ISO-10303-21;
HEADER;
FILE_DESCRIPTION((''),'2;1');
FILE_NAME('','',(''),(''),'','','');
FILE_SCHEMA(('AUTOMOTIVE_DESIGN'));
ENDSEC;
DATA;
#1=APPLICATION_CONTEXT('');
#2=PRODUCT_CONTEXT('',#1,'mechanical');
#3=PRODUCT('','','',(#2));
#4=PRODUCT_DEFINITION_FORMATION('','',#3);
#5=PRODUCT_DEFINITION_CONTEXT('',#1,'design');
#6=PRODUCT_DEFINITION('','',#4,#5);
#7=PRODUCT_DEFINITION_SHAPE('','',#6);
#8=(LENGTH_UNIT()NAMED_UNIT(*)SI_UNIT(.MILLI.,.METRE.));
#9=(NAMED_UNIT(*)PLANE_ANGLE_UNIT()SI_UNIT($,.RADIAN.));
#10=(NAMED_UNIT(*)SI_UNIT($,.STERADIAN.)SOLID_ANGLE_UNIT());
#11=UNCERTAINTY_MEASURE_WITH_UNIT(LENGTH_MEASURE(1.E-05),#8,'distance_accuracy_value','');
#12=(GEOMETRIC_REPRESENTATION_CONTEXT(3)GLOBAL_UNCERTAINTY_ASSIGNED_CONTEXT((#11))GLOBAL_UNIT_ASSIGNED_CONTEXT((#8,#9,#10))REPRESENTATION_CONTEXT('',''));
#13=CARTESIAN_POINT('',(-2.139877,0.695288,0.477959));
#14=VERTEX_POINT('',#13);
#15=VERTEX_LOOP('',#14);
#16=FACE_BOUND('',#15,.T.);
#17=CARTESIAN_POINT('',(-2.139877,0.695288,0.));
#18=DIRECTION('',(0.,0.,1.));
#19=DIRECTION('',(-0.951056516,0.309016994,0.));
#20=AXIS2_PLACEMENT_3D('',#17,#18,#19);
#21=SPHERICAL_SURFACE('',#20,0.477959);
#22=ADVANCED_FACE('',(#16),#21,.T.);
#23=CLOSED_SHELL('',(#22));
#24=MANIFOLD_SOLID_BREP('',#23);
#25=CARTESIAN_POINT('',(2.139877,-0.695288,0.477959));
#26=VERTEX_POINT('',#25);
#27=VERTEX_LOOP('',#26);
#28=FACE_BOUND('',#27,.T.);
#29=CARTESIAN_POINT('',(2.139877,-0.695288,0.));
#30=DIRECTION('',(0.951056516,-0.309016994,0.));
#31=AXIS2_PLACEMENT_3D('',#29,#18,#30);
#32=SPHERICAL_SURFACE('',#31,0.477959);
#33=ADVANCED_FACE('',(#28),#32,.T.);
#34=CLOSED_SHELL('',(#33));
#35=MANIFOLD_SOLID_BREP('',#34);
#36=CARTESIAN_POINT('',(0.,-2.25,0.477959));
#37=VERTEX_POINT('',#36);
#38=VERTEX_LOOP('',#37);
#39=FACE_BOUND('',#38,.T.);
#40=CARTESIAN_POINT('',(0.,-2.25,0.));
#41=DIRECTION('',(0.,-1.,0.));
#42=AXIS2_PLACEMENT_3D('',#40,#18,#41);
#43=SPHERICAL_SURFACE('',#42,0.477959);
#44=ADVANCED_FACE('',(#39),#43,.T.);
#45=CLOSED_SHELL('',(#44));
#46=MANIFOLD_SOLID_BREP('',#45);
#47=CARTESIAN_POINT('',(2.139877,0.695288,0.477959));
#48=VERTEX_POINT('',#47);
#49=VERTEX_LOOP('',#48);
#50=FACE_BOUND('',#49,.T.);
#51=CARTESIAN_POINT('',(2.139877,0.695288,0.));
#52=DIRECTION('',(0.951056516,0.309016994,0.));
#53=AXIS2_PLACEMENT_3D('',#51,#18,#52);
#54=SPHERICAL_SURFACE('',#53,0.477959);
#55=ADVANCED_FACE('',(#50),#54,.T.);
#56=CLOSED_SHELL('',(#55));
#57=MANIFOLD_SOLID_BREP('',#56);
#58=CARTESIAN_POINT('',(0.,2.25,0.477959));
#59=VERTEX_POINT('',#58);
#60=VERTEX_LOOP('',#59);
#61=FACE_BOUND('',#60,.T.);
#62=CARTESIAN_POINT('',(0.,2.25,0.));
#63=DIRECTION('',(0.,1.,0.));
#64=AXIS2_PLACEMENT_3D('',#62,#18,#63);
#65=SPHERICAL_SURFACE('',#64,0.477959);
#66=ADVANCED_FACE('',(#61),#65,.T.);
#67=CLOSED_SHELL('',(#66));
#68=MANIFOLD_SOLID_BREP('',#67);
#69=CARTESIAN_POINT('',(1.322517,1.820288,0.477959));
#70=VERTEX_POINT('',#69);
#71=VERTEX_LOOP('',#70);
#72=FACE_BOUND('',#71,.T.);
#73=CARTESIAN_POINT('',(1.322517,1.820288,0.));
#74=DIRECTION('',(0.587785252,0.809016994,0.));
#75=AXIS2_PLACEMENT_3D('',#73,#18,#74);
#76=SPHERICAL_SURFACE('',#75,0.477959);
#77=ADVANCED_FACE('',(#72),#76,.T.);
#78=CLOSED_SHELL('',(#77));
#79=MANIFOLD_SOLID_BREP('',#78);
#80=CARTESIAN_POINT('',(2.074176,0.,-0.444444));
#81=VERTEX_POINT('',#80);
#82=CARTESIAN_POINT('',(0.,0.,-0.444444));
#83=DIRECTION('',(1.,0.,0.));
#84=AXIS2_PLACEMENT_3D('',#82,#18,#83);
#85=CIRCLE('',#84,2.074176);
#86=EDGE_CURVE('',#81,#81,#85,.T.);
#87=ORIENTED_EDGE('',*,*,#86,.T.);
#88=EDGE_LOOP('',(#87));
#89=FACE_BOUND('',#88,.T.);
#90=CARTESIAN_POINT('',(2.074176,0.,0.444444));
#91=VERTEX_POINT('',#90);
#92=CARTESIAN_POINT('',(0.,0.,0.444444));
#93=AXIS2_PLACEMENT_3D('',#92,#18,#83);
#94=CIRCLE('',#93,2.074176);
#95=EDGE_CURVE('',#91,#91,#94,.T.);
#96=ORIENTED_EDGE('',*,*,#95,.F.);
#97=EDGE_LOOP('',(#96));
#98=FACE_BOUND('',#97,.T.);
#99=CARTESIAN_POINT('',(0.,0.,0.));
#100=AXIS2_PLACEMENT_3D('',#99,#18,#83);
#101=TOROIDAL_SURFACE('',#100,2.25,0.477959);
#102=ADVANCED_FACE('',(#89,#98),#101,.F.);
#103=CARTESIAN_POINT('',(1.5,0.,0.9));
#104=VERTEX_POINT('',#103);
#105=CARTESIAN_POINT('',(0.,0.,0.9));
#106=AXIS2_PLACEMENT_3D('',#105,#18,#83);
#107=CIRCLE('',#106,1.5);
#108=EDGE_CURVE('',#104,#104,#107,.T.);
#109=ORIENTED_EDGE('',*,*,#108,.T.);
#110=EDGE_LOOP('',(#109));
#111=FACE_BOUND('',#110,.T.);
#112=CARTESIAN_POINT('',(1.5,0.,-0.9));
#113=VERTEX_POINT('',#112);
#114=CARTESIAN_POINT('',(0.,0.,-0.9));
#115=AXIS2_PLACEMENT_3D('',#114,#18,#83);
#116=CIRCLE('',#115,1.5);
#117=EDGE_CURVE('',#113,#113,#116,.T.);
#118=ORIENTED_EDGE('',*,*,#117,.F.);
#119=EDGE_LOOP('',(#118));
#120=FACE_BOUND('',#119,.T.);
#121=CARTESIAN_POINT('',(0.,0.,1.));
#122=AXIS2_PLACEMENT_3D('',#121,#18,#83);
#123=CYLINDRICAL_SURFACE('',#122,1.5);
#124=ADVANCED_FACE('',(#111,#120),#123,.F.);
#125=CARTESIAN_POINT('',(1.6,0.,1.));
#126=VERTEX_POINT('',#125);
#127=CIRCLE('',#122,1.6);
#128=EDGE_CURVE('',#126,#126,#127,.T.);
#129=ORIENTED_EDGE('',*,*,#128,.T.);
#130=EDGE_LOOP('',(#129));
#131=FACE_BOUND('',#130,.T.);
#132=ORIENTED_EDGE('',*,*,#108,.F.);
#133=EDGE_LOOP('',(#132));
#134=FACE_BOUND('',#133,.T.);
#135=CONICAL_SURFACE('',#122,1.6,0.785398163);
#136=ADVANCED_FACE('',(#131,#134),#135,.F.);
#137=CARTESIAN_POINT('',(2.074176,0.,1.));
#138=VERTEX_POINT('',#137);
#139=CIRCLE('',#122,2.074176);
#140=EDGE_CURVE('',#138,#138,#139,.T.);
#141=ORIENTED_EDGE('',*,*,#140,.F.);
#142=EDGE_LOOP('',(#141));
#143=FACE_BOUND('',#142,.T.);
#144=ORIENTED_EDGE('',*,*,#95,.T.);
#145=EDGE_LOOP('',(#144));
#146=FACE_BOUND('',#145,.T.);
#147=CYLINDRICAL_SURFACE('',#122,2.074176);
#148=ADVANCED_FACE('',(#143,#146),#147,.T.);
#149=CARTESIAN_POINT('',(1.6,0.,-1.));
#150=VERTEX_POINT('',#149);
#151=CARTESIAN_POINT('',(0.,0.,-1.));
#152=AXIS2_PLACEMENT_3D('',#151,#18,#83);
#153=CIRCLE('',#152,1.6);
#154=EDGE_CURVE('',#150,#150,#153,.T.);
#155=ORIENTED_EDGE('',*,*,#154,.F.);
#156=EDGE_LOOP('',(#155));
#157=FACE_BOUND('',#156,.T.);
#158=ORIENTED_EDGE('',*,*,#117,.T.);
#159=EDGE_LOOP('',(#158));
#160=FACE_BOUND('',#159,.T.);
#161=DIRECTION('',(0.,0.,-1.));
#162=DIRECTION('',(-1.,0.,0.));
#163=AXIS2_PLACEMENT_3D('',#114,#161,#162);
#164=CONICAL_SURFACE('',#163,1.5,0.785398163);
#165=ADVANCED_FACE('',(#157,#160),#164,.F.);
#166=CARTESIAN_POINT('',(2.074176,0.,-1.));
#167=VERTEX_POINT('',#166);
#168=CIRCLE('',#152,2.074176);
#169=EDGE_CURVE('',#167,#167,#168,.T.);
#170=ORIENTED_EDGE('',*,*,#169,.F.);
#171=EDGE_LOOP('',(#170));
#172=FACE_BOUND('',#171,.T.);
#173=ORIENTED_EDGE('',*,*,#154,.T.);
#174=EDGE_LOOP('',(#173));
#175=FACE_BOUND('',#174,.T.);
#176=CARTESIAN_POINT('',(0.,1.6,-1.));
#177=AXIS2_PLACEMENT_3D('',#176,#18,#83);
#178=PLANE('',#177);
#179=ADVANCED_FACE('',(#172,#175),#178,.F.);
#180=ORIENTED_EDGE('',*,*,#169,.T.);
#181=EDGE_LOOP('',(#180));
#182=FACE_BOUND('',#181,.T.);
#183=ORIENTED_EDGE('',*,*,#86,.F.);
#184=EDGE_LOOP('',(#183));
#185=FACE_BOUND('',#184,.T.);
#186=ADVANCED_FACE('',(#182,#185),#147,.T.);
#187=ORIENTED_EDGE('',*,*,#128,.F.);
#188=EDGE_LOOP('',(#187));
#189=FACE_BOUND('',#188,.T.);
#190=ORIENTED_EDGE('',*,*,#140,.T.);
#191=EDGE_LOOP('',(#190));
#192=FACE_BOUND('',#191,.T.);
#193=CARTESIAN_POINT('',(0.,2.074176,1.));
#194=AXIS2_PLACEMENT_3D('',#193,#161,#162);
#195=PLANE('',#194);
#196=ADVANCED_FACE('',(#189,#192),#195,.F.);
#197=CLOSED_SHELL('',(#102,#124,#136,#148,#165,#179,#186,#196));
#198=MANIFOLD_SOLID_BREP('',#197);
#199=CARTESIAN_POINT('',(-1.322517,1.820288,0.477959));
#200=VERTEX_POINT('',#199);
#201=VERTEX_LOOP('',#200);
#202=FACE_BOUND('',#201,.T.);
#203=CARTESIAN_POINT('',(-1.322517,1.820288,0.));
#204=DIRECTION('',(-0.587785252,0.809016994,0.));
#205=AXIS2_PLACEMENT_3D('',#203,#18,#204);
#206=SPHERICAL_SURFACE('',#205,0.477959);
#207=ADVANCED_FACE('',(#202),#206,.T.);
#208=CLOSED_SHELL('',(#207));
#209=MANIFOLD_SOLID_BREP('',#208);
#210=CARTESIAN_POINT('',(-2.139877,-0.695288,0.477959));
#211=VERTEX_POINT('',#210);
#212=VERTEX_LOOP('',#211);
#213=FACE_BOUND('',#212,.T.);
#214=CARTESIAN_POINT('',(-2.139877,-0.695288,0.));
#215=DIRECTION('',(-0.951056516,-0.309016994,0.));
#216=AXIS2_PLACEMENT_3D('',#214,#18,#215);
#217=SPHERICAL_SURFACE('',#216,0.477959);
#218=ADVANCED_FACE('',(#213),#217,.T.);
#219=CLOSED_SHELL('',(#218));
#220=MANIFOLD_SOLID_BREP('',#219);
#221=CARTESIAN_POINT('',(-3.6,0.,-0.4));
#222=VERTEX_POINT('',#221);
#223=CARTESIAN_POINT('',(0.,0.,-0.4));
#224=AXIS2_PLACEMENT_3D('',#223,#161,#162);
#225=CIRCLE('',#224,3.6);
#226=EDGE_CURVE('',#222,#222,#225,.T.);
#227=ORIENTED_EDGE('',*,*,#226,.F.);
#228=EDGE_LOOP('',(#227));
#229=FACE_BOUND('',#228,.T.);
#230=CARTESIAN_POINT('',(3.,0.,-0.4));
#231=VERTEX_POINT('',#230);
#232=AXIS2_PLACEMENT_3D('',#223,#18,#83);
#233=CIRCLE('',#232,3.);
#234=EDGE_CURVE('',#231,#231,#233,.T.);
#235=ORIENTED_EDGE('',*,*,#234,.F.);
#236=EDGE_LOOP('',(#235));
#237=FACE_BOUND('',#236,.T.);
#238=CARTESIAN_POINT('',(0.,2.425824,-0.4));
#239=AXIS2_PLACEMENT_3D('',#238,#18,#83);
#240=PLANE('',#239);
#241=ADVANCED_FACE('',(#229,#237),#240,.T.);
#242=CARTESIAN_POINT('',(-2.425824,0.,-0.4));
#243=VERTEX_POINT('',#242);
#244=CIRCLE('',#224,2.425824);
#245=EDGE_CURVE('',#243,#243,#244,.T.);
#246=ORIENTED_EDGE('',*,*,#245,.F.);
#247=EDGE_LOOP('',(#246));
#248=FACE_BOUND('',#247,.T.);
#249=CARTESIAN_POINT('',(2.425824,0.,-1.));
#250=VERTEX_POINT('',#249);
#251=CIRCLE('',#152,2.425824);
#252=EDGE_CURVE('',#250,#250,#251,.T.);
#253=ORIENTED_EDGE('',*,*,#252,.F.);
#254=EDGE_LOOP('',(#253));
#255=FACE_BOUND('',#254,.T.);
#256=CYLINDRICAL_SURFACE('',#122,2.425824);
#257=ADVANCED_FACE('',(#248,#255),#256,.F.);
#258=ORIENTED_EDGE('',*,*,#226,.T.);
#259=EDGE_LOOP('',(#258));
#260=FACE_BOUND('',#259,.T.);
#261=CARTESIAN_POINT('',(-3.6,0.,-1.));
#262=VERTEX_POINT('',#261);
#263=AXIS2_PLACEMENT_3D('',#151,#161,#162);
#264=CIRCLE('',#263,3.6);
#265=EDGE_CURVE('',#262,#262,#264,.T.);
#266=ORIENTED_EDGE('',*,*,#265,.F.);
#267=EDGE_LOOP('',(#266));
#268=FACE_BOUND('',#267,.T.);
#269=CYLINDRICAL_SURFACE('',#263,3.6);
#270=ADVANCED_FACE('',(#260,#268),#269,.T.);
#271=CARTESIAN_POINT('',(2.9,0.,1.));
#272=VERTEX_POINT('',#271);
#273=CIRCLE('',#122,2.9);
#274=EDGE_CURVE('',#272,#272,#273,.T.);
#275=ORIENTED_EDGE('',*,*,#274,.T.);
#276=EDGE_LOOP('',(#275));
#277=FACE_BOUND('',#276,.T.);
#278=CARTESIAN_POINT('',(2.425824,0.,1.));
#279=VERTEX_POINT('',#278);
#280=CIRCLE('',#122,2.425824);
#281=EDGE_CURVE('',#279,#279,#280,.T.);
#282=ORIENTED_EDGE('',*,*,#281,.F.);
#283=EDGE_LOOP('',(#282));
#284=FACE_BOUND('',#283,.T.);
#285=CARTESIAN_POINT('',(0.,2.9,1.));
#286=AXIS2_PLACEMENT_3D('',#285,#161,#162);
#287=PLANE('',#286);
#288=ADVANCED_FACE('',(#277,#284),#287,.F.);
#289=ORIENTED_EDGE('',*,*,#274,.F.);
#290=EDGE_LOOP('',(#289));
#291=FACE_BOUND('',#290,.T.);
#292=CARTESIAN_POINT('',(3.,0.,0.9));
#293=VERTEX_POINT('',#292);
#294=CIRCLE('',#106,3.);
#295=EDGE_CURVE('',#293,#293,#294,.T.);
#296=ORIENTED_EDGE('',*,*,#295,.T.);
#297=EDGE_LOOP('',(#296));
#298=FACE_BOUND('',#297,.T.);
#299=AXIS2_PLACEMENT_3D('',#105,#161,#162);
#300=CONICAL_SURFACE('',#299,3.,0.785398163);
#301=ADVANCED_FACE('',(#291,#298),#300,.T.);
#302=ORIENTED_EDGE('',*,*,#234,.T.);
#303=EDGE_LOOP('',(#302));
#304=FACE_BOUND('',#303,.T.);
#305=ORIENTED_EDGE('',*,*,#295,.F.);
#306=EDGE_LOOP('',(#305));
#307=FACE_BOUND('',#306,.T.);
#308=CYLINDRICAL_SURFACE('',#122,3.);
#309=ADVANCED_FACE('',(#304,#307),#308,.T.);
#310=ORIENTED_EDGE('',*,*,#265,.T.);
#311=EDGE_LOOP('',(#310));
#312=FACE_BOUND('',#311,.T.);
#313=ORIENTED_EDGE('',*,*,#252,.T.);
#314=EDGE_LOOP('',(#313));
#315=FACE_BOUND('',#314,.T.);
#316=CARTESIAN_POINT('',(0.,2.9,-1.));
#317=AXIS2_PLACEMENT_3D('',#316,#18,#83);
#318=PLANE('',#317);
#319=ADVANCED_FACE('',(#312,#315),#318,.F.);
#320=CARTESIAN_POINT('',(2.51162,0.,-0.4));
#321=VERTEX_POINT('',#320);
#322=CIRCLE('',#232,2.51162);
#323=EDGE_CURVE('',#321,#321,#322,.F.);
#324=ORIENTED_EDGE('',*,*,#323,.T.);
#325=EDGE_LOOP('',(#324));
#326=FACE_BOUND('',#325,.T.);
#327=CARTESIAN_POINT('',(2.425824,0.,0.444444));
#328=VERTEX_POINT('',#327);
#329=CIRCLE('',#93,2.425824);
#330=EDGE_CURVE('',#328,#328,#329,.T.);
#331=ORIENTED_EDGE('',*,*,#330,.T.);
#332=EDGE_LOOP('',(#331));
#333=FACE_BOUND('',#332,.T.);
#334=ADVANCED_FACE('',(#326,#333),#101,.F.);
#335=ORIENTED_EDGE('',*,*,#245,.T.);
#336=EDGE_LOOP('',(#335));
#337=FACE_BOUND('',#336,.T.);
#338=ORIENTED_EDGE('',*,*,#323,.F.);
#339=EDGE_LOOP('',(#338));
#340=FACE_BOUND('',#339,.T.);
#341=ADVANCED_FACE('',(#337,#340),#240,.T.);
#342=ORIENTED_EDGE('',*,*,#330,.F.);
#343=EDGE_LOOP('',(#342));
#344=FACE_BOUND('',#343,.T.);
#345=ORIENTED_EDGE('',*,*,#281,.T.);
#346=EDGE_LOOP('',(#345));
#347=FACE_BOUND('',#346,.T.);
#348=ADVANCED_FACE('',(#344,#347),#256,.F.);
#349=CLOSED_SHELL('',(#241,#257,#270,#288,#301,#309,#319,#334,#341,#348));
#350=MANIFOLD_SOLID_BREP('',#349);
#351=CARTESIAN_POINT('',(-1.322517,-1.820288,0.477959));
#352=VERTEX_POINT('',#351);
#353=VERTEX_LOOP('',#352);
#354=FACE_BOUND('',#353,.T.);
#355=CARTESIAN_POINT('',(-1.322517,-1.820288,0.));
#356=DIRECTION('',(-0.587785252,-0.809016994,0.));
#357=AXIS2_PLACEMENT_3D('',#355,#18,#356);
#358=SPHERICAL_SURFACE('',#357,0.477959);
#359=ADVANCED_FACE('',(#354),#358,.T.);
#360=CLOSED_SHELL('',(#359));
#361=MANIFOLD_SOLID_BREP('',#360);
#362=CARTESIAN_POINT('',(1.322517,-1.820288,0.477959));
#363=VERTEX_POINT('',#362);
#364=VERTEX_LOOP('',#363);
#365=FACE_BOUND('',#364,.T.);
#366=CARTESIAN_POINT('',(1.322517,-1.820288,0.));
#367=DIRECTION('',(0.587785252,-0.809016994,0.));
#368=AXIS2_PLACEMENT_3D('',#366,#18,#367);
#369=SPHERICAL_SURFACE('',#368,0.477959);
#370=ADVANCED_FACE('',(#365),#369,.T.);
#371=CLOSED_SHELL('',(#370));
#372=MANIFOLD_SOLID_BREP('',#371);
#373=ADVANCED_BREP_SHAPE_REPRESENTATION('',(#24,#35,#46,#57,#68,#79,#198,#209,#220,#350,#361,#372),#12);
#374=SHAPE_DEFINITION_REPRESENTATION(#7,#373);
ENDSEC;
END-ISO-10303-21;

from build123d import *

# Parameters (mm, degrees)
CIRPATTERN1_COUNT = 10
SKETCH6_W         = 0.6
SKETCH6_H         = 1.174175824


with BuildPart() as part:
    # Sketch1 → Revolve1 (revolve)
    with BuildSketch(Plane(origin=(0, 0, 0), x_dir=(0, 0, -1), z_dir=(1, 0, 0))):
        with BuildLine():
            Line((0.9, 3), (-0.9, 3))
            Line((-0.9, 3), (-1, 2.9))
            Line((-1, 2.9), (-1, 2.425824176))
            Line((-1, 2.425824176), (-0.444444444, 2.425824176))
            ThreePointArc((-0.444444444, 2.425824176), (0, 2.727959209), (0.444444444, 2.425824176))
            Line((0.444444444, 2.425824176), (1, 2.425824176))
            Line((1, 2.425824176), (1, 2.9))
            Line((1, 2.9), (0.9, 3))
        make_face()
    revolve(axis=Axis((0, 0, 1), (0, 0, -1)))

    # Sketch6 → Revolve6 (revolve)
    with BuildSketch(Plane(origin=(0, 0, 0), x_dir=(0, 0, -1), z_dir=(1, 0, 0))):
        with Locations((0.7, 3.012912088)):
            Rectangle(SKETCH6_W, SKETCH6_H)
    revolve(axis=Axis((0, 0, -1), (0, 0, 1)))


with BuildPart() as body_2:
    # Sketch3 → Revolve3 (revolve)
    with BuildSketch(Plane(origin=(0, 0, 0), x_dir=(0, 0, -1), z_dir=(1, 0, 0))):
        with BuildLine():
            Line((-1, 2.074175824), (-0.444444444, 2.074175824))
            ThreePointArc((-0.444444444, 2.074175824), (0, 1.772040791), (0.444444444, 2.074175824))
            Line((0.444444444, 2.074175824), (1, 2.074175824))
            Line((1, 2.074175824), (1, 1.6))
            Line((1, 1.6), (0.9, 1.5))
            Line((0.9, 1.5), (-0.9, 1.5))
            Line((-0.9, 1.5), (-1, 1.6))
            Line((-1, 1.6), (-1, 2.074175824))
        make_face()
    revolve(axis=Axis((0, 0, 1), (0, 0, -1)))


with BuildPart() as body_3:
    # Sketch4 → Revolve4 (revolve)
    with BuildSketch(Plane(origin=(0, 0, 0), x_dir=(0, 0, -1), z_dir=(1, 0, 0))):
        with BuildLine():
            Line((-0.477959209, 2.25), (0.477959209, 2.25))
            ThreePointArc((0.477959209, 2.25), (0, 2.727959209), (-0.477959209, 2.25))
        make_face()
    revolve(axis=Axis((0, 2.25, 0.477959209), (0, 0, -1)))


with BuildPart() as cirpattern1_1:
    # CirPattern1: pattern copy
    add(body_3.part.rotate(Axis((0, 0, -1), (0, 0, 1)), 1 * 360 / CIRPATTERN1_COUNT))


with BuildPart() as cirpattern1_2:
    # CirPattern1: pattern copy
    add(body_3.part.rotate(Axis((0, 0, -1), (0, 0, 1)), 2 * 360 / CIRPATTERN1_COUNT))


with BuildPart() as cirpattern1_3:
    # CirPattern1: pattern copy
    add(body_3.part.rotate(Axis((0, 0, -1), (0, 0, 1)), 3 * 360 / CIRPATTERN1_COUNT))


with BuildPart() as cirpattern1_4:
    # CirPattern1: pattern copy
    add(body_3.part.rotate(Axis((0, 0, -1), (0, 0, 1)), 4 * 360 / CIRPATTERN1_COUNT))


with BuildPart() as cirpattern1_5:
    # CirPattern1: pattern copy
    add(body_3.part.rotate(Axis((0, 0, -1), (0, 0, 1)), 5 * 360 / CIRPATTERN1_COUNT))


with BuildPart() as cirpattern1_6:
    # CirPattern1: pattern copy
    add(body_3.part.rotate(Axis((0, 0, -1), (0, 0, 1)), 6 * 360 / CIRPATTERN1_COUNT))


with BuildPart() as cirpattern1_7:
    # CirPattern1: pattern copy
    add(body_3.part.rotate(Axis((0, 0, -1), (0, 0, 1)), 7 * 360 / CIRPATTERN1_COUNT))


with BuildPart() as cirpattern1_8:
    # CirPattern1: pattern copy
    add(body_3.part.rotate(Axis((0, 0, -1), (0, 0, 1)), 8 * 360 / CIRPATTERN1_COUNT))


with BuildPart() as cirpattern1_9:
    # CirPattern1: pattern copy
    add(body_3.part.rotate(Axis((0, 0, -1), (0, 0, 1)), 9 * 360 / CIRPATTERN1_COUNT))


solid = Compound([part.part, body_2.part, body_3.part, cirpattern1_1.part, cirpattern1_2.part, cirpattern1_3.part, cirpattern1_4.part, cirpattern1_5.part, cirpattern1_6.part, cirpattern1_7.part, cirpattern1_8.part, cirpattern1_9.part])
